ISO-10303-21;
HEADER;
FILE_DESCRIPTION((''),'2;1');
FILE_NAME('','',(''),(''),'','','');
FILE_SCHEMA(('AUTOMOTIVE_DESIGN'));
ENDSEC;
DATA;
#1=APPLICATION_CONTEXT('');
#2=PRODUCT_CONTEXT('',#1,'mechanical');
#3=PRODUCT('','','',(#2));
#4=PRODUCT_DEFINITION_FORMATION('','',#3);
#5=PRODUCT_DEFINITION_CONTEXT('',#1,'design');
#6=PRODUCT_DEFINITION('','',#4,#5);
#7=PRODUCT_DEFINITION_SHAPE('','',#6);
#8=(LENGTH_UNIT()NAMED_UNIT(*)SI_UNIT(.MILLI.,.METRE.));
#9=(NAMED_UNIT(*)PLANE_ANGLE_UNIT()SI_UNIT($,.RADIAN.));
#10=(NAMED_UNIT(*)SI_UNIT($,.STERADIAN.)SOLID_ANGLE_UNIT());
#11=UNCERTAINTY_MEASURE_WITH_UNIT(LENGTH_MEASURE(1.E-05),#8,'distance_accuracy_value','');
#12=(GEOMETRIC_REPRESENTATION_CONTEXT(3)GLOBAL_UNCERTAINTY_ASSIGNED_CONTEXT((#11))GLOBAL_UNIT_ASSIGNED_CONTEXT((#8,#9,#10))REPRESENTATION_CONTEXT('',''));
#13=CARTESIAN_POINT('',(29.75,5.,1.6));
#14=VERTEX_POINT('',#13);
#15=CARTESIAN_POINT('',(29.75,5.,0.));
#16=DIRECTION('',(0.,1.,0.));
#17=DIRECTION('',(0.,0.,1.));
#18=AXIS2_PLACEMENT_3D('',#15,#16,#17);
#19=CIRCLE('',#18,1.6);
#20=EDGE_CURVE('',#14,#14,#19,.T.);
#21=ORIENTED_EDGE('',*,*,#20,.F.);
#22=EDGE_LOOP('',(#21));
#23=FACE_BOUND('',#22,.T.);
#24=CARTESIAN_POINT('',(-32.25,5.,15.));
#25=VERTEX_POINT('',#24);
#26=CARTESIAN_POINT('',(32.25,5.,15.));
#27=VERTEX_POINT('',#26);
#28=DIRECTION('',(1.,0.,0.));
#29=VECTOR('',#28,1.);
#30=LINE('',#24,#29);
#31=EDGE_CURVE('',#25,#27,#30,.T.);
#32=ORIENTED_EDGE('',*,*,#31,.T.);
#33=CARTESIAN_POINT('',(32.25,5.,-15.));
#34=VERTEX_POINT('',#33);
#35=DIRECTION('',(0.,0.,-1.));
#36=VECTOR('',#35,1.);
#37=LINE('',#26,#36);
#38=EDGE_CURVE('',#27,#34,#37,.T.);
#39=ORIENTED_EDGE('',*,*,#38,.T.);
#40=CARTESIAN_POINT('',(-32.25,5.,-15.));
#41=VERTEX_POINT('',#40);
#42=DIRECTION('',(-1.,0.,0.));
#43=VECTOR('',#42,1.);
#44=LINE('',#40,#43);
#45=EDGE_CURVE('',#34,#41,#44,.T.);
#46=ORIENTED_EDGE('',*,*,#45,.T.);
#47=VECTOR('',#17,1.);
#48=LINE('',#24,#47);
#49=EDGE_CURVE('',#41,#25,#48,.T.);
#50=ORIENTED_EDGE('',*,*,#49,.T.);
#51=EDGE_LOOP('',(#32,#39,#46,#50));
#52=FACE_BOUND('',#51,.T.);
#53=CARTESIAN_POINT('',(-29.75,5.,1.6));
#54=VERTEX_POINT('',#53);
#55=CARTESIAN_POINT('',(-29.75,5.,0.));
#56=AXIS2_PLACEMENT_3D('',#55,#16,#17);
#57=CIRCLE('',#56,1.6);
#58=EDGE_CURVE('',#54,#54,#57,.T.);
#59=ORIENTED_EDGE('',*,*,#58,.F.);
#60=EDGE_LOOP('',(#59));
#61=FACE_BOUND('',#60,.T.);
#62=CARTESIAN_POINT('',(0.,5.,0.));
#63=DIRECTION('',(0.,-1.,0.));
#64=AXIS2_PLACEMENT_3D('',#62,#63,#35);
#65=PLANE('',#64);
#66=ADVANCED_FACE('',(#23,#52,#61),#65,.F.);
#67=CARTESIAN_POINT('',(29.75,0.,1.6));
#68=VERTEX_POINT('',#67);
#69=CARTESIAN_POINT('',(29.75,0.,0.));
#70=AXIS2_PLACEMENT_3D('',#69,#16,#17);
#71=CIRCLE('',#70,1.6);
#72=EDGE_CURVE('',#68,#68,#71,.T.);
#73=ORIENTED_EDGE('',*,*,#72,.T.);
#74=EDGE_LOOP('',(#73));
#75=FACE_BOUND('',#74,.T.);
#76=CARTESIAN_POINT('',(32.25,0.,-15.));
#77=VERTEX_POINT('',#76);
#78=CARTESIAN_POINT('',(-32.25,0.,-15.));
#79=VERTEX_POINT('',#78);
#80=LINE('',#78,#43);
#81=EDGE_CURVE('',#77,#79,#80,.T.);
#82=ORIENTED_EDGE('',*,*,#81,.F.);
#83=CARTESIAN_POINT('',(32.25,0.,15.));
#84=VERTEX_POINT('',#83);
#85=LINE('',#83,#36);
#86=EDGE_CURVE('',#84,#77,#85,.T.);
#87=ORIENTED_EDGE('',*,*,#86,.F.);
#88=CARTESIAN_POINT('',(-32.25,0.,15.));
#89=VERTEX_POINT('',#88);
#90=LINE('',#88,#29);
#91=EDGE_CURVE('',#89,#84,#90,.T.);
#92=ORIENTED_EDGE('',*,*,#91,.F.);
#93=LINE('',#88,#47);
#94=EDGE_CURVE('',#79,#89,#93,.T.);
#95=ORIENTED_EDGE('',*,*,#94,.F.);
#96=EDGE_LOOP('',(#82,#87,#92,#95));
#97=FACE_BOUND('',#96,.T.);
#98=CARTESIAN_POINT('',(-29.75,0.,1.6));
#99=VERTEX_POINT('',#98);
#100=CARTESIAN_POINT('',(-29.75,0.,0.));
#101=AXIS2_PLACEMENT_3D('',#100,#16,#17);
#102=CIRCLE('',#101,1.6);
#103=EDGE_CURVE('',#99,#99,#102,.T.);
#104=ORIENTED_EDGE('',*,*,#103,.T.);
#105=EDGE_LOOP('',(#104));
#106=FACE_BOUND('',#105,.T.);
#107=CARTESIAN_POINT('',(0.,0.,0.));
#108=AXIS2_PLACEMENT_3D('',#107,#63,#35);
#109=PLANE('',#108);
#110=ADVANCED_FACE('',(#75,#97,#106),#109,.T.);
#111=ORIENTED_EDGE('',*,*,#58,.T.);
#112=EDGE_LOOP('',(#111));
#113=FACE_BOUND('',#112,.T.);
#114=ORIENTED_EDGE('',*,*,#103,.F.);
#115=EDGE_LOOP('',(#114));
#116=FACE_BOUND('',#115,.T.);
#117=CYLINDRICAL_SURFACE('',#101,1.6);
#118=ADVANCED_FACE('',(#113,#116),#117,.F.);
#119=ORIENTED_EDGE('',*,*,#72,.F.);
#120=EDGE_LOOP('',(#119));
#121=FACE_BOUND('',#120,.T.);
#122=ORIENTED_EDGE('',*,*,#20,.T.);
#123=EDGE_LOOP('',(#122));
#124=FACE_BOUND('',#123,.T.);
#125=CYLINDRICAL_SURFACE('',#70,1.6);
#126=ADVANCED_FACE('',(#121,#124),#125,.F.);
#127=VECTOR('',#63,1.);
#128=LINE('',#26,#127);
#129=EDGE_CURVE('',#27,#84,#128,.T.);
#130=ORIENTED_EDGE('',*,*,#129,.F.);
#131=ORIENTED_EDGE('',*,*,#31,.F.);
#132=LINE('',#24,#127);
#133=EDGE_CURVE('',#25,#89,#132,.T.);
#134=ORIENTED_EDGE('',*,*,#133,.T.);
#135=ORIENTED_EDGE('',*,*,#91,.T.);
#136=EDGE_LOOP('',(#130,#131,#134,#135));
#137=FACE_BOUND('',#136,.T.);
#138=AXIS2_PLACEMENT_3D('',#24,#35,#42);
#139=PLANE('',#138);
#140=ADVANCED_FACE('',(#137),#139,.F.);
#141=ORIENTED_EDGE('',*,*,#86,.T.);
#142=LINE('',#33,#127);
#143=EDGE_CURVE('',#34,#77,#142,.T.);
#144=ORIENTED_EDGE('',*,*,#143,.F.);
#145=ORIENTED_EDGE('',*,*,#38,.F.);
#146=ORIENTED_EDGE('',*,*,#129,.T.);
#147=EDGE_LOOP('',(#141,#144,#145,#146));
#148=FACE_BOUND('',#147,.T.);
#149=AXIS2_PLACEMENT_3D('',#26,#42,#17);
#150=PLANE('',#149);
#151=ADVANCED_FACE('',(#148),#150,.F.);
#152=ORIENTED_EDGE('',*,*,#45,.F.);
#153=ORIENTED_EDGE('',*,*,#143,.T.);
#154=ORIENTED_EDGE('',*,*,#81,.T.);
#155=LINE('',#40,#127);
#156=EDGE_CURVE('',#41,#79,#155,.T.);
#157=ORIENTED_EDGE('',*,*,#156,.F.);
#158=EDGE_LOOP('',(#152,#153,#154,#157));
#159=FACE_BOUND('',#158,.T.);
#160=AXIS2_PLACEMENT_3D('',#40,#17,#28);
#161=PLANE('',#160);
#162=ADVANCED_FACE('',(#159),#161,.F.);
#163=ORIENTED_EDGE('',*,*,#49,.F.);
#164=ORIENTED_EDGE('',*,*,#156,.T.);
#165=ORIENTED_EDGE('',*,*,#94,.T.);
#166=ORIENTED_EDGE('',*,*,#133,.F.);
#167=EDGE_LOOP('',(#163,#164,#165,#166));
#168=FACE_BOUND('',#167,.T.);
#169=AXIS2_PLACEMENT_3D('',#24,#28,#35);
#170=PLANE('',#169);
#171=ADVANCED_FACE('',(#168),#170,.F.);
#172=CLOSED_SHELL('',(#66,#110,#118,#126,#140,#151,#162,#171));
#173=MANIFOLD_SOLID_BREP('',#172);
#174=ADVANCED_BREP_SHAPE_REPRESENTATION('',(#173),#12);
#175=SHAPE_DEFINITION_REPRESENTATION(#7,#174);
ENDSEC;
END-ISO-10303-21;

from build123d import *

# Parameters (mm, degrees)
CROQUIS1_W              = 64.5
CROQUIS1_H              = 30
SALIENTE_EXTRUIR1_DEPTH = 5
CROQUIS2_R              = 1.6
CORTAR_EXTRUIR1_DEPTH   = 6


with BuildPart() as part:
    # Croquis1 → Saliente-Extruir1 (new body)
    with BuildSketch(Plane(origin=(0, 0, 0), x_dir=(1, 0, 0), z_dir=(0, 1, 0))):
        Rectangle(CROQUIS1_W, CROQUIS1_H)
    extrude(amount=SALIENTE_EXTRUIR1_DEPTH)

    # Croquis2 → Cortar-Extruir1 (cut, through all)
    with BuildSketch(Plane(origin=(0, 5, 0), x_dir=(1, 0, 0), z_dir=(0, 1, 0))):
        with Locations((-29.75, 0)):
            Circle(CROQUIS2_R)
        with Locations((29.75, 0)):
            Circle(CROQUIS2_R)
    extrude(amount=-CORTAR_EXTRUIR1_DEPTH, mode=Mode.SUBTRACT)


solid = part.part
